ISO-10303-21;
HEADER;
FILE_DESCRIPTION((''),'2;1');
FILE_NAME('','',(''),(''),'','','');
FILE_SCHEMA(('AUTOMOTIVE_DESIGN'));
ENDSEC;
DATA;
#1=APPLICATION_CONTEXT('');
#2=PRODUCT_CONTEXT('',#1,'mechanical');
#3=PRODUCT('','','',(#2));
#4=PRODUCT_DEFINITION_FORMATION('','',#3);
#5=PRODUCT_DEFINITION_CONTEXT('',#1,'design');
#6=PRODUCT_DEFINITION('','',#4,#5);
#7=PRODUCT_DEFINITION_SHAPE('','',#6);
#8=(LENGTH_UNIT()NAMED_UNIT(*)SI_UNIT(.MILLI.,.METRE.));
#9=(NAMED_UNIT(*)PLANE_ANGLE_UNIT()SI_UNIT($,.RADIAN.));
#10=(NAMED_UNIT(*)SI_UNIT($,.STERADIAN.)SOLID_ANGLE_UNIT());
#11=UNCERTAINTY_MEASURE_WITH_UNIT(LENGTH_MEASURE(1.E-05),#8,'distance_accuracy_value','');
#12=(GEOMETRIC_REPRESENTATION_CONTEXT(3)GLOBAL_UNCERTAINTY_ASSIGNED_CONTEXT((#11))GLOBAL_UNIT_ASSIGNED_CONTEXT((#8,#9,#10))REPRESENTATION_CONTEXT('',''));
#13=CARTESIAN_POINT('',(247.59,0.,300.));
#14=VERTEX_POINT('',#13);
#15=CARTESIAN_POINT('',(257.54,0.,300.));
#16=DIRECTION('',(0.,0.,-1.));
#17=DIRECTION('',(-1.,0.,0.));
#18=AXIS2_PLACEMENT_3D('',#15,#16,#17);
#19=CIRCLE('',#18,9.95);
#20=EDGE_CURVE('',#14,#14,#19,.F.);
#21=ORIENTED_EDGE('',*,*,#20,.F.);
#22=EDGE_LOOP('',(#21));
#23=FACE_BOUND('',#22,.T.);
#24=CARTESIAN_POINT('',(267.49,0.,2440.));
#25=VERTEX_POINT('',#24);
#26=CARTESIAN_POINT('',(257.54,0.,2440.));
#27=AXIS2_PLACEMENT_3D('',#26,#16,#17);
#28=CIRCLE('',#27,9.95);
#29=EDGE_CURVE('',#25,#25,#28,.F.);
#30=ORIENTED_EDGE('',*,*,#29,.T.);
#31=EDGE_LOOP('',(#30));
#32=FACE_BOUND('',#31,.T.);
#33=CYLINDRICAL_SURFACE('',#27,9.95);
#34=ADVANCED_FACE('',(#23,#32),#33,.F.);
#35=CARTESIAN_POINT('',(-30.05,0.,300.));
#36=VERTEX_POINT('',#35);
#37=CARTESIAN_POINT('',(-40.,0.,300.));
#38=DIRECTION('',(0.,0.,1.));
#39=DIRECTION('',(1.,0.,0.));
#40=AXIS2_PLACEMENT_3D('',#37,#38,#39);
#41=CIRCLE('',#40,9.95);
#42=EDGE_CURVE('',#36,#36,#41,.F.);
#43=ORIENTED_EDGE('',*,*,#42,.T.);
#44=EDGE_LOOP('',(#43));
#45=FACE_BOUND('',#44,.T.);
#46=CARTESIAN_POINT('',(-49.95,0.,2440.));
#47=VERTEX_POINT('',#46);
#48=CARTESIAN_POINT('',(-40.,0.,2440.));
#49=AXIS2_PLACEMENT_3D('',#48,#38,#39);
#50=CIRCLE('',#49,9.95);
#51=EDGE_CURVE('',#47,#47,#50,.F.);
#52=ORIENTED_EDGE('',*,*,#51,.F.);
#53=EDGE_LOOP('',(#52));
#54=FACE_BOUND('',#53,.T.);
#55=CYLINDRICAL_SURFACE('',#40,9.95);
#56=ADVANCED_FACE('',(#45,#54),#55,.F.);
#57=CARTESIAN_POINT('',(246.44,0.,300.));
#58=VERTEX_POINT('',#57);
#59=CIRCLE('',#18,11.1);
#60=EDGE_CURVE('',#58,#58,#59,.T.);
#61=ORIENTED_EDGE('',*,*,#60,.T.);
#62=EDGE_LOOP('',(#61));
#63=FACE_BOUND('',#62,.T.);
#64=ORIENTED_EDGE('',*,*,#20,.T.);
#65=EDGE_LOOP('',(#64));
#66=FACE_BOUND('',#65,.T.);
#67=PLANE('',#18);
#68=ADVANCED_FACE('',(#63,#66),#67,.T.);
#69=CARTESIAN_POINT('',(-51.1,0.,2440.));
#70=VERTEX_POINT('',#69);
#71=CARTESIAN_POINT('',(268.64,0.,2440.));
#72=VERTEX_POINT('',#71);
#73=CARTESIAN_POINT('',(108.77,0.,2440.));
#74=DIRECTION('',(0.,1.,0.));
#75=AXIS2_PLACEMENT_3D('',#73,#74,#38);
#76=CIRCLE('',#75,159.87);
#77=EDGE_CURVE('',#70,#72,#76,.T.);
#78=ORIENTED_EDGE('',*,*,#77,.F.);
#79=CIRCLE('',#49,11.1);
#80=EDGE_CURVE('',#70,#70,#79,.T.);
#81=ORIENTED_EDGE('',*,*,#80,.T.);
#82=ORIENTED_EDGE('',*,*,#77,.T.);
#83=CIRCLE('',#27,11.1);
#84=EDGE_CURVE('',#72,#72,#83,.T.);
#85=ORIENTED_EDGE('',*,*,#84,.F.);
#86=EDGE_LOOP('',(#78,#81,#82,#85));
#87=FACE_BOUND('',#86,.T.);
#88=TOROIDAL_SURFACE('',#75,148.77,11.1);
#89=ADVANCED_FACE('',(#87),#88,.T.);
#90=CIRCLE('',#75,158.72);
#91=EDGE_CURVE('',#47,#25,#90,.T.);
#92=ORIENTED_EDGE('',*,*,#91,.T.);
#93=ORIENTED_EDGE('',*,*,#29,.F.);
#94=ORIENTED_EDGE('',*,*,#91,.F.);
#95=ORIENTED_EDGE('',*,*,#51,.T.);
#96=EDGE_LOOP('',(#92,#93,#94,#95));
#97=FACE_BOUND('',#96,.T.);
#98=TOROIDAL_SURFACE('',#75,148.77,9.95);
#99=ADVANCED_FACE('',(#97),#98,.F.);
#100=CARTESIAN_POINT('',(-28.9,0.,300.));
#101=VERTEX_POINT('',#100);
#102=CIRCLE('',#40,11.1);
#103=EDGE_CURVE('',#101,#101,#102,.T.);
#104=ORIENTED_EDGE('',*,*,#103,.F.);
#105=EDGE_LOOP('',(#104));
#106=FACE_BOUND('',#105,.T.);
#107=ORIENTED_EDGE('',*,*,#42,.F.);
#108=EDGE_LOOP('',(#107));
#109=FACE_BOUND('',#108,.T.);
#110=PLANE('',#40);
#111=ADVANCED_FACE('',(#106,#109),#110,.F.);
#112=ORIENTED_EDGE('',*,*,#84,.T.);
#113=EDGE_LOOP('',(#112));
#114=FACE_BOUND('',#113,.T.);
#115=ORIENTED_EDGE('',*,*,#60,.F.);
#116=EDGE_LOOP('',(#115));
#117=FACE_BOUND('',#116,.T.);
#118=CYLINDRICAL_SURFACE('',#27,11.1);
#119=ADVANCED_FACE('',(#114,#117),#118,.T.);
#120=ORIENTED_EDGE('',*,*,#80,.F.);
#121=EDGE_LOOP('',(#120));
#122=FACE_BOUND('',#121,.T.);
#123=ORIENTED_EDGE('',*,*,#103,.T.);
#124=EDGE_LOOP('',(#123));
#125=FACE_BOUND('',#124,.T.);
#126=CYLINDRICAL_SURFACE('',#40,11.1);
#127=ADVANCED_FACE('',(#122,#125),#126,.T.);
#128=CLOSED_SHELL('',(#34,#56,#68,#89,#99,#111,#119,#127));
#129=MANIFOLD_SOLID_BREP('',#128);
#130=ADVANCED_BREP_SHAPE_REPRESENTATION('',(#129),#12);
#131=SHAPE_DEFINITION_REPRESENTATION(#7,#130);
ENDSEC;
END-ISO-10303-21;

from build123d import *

# Parameters (mm, degrees)
SKETCH2_R   = 11.1
SKETCH2_R_2 = 9.95


with BuildPart() as part:
    # Sweep1: sweep along a path in Sketch1
    with BuildLine(Plane(origin=(0, 0, 0), x_dir=(1, 0, 0), z_dir=(0, 1, 0))) as sweep1_path:
        Line((257.54, -300), (257.54, -2440))
        ThreePointArc((257.54, -2440), (108.77, -2588.77), (-40, -2440))
        Line((-40, -2440), (-40, -300))
    # Sketch2 → Sweep1 (sweep)
    with BuildSketch(Plane(origin=(257.54, 0, 300), x_dir=(-1, 0, 0), z_dir=(0, 0, -1))):
        Circle(SKETCH2_R)
        Circle(SKETCH2_R_2, mode=Mode.SUBTRACT)
    sweep(path=sweep1_path.line)


solid = part.part
